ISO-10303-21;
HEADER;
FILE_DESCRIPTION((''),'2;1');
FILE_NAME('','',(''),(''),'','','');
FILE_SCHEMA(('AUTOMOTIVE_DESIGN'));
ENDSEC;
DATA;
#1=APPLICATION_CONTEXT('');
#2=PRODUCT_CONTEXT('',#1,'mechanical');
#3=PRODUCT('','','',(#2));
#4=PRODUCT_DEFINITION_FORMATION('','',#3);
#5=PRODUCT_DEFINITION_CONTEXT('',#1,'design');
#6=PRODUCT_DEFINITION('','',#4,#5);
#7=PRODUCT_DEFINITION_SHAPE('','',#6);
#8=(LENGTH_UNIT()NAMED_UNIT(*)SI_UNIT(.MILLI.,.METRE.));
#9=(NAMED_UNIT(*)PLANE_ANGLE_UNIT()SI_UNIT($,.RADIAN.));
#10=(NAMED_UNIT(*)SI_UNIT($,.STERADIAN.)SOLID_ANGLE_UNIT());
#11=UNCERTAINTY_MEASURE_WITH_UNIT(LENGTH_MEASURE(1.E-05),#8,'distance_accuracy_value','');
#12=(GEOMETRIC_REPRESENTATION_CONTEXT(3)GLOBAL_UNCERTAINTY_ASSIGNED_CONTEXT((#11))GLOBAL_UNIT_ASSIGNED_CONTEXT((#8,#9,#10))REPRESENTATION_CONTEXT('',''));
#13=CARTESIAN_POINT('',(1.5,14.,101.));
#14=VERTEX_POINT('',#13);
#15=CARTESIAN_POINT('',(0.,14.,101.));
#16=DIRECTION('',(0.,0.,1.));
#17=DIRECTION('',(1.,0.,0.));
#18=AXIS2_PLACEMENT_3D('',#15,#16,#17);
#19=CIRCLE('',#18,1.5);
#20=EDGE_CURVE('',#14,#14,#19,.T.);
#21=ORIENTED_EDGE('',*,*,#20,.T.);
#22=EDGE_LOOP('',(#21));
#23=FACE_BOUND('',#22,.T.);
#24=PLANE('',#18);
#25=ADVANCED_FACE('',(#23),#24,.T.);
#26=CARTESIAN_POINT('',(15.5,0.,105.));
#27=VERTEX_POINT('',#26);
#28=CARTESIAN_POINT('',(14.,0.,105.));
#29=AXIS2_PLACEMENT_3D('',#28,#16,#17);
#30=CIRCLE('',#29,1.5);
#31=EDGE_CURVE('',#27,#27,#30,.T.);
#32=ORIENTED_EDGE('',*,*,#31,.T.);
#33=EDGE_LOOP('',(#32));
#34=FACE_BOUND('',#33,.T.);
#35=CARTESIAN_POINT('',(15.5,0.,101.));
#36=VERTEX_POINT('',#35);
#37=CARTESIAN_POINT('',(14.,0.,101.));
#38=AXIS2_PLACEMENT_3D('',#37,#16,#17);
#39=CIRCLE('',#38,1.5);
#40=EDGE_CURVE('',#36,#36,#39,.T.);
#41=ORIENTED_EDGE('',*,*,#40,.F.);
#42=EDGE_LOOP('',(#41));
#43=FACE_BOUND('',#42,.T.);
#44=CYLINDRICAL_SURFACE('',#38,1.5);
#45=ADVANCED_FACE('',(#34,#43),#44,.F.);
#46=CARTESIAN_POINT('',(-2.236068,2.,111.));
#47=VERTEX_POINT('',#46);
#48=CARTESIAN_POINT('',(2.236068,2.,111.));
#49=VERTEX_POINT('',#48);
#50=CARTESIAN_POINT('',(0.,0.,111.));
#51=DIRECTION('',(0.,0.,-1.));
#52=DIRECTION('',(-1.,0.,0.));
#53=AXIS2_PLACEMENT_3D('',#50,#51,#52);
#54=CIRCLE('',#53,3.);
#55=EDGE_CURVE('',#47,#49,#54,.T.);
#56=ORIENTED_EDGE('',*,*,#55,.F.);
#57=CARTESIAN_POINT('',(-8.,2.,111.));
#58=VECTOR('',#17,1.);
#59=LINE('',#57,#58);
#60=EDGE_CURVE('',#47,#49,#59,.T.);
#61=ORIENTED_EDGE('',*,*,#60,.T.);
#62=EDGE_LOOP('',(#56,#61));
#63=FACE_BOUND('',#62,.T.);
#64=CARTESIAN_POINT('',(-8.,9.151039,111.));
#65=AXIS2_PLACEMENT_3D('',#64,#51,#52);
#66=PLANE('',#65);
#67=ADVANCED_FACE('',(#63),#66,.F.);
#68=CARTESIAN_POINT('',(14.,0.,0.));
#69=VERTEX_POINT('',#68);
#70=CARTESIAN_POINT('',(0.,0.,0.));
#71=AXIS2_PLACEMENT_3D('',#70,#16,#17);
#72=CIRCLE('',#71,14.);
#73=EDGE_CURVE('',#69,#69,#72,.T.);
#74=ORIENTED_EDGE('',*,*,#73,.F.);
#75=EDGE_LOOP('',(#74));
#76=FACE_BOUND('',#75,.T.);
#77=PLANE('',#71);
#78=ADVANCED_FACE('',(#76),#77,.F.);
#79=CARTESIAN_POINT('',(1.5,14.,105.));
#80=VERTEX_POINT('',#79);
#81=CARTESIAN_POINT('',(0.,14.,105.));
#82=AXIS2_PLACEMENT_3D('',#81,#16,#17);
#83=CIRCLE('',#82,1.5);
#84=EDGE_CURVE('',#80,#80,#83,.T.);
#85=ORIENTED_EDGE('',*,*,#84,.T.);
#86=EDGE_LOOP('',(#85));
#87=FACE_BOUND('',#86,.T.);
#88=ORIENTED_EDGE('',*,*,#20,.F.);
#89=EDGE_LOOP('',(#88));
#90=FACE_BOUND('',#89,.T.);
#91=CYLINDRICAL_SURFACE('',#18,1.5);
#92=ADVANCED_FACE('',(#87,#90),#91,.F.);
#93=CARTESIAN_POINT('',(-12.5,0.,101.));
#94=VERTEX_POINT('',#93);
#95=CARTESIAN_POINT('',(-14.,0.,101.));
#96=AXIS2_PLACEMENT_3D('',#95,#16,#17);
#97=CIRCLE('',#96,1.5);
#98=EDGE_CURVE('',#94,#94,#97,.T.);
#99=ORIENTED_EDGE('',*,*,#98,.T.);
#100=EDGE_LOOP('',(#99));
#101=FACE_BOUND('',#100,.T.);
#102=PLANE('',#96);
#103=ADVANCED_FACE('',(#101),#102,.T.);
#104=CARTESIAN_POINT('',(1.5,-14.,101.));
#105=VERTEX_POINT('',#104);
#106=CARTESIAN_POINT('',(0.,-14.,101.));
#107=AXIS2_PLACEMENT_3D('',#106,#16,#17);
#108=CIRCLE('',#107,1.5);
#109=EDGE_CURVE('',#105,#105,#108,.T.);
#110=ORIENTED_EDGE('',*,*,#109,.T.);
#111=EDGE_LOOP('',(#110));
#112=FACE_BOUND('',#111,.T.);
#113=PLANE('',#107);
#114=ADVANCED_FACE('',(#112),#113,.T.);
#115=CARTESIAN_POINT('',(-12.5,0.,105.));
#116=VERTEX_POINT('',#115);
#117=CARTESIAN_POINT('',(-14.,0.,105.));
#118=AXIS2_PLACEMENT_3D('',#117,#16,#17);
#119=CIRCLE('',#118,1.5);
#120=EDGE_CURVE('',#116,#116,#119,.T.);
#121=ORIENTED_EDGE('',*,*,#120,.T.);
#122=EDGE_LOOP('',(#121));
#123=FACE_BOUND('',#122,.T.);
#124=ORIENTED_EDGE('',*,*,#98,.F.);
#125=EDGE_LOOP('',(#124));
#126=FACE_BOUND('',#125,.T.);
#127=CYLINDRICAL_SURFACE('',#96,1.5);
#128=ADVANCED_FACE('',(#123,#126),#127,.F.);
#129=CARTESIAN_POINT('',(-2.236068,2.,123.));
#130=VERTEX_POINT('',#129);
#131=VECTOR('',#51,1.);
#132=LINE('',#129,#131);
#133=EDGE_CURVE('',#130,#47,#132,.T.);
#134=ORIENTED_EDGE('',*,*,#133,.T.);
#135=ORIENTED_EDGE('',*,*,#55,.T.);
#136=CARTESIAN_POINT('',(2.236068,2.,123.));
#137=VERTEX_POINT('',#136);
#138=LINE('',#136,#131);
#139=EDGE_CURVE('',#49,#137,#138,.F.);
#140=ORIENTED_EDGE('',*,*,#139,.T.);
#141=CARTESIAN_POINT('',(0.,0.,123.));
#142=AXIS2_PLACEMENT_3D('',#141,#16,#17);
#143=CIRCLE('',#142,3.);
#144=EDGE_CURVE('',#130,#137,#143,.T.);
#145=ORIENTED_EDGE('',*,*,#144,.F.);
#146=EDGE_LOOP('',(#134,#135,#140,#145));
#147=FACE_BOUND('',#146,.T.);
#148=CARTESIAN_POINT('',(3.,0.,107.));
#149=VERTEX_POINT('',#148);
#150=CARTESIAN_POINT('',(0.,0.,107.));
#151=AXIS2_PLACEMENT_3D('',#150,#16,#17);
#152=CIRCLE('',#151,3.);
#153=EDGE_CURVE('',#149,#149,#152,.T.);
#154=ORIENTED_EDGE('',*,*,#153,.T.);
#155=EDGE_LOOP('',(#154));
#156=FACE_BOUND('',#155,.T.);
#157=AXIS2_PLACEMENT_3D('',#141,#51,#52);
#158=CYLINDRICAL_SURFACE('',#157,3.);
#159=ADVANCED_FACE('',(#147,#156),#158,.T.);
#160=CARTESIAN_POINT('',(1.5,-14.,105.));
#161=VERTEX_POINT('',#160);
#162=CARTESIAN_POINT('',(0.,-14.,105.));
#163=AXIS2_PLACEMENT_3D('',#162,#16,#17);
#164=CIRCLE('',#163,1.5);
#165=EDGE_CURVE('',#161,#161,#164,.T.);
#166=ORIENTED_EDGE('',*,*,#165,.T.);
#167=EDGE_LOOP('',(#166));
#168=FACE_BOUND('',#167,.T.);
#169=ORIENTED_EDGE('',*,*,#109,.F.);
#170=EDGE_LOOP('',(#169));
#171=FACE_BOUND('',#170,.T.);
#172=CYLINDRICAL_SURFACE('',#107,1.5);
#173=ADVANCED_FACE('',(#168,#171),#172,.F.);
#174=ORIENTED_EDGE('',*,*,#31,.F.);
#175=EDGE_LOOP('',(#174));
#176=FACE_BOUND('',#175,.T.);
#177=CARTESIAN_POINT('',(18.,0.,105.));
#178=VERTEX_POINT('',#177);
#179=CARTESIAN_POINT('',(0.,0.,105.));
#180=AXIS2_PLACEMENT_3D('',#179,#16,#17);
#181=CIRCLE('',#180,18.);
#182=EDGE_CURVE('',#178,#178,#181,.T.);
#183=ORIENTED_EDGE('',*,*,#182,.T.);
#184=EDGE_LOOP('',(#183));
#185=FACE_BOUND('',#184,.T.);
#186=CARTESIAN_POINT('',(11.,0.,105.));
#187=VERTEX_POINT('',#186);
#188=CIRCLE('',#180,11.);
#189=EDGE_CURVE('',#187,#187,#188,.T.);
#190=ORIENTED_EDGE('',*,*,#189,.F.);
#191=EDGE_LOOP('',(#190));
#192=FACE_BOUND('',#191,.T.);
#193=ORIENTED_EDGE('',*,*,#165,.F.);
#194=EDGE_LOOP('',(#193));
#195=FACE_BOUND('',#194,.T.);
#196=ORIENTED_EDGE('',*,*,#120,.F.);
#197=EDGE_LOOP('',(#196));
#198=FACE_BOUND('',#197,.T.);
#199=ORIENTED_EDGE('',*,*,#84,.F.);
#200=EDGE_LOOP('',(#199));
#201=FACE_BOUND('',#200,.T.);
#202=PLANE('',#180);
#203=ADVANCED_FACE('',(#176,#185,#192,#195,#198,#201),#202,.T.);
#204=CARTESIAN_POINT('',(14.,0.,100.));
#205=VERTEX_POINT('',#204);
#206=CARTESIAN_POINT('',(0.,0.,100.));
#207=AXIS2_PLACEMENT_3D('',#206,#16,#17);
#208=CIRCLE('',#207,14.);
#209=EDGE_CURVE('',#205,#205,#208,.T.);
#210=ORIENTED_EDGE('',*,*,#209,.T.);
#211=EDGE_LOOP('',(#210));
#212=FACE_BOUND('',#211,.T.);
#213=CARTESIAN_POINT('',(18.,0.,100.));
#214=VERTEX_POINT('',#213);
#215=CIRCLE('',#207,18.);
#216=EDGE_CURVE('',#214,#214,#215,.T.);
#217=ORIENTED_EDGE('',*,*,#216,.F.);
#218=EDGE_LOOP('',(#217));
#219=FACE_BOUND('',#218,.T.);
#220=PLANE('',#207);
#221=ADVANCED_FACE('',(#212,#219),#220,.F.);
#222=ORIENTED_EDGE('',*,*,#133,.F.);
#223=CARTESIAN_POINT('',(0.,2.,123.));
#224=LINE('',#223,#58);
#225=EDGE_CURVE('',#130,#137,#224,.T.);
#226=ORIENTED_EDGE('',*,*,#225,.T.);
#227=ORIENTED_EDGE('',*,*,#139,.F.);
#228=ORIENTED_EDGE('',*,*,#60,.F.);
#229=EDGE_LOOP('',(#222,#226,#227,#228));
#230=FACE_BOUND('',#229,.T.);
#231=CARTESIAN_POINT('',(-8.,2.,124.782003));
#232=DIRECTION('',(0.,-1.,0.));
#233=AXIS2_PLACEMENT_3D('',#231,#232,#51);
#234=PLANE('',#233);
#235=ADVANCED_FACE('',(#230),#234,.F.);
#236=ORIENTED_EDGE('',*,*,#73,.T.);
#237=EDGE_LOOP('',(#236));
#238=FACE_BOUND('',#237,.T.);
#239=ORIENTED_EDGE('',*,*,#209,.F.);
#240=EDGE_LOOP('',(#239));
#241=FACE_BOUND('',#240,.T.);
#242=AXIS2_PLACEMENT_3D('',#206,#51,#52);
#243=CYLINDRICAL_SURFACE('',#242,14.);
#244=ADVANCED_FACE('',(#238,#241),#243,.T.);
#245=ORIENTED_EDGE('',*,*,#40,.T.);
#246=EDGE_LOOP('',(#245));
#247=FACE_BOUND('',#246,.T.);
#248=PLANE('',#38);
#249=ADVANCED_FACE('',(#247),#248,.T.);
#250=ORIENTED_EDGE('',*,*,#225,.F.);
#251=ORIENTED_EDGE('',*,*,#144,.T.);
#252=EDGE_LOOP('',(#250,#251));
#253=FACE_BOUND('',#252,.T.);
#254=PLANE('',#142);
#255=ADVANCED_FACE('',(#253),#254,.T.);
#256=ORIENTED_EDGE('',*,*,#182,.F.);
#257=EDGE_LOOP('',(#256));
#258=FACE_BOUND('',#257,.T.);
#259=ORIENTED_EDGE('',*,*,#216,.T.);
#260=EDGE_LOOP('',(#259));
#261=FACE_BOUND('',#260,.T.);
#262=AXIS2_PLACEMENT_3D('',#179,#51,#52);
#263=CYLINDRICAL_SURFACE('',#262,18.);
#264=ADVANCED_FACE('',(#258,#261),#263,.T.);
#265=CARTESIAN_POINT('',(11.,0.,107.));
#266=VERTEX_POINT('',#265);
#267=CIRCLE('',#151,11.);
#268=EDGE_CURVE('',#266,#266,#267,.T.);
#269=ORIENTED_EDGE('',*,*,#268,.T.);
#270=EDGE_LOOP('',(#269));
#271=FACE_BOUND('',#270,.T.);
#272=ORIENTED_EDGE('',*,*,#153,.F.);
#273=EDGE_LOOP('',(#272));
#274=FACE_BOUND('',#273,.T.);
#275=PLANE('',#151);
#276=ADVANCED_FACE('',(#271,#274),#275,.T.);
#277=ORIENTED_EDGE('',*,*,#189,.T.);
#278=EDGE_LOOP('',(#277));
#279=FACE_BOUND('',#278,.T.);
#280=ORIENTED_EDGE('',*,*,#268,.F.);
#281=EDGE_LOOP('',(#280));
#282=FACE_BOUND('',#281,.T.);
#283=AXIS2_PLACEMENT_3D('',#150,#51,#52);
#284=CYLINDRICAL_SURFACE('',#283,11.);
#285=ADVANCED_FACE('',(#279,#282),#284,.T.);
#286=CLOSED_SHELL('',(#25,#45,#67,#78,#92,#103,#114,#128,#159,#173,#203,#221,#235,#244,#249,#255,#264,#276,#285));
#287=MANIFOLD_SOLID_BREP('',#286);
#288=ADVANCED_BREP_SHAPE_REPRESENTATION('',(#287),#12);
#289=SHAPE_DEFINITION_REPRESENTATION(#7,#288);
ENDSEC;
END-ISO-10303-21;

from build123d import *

# Parameters (mm, degrees)
SKETCH1_R           = 14
BOSS_EXTRUDE3_DEPTH = 100
SKETCH4_R           = 18
BOSS_EXTRUDE4_DEPTH = 5
SKETCH5_R           = 1.5
CUT_EXTRUDE2_DEPTH  = 4
SKETCH6_R           = 11
BOSS_EXTRUDE6_DEPTH = 2
SKETCH7_R           = 3
BOSS_EXTRUDE7_DEPTH = 16
SKETCH8_W           = 13.782002666
SKETCH8_H           = 7.151039119
CUT_EXTRUDE3_DEPTH  = 8


with BuildPart() as part:
    # Sketch1 → Boss-Extrude3 (new body)
    with BuildSketch(Plane.XY):
        Circle(SKETCH1_R)
    extrude(amount=BOSS_EXTRUDE3_DEPTH)

    # Sketch4 → Boss-Extrude4 (add)
    with BuildSketch(Plane.XY.offset(100)):
        Circle(SKETCH4_R)
    extrude(amount=BOSS_EXTRUDE4_DEPTH)

    # Sketch5 → Cut-Extrude2 (cut)
    with BuildSketch(Plane.XY.offset(105)):
        with Locations((0, 14)):
            Circle(SKETCH5_R)
        with Locations((14, 0)):
            Circle(SKETCH5_R)
        with Locations((0, -14)):
            Circle(SKETCH5_R)
        with Locations((-14, 0)):
            Circle(SKETCH5_R)
    extrude(amount=-CUT_EXTRUDE2_DEPTH, mode=Mode.SUBTRACT)

    # Sketch6 → Boss-Extrude6 (add)
    with BuildSketch(Plane.XY.offset(105)):
        Circle(SKETCH6_R)
    extrude(amount=BOSS_EXTRUDE6_DEPTH)

    # Sketch7 → Boss-Extrude7 (add)
    with BuildSketch(Plane.XY.offset(107)):
        Circle(SKETCH7_R)
    extrude(amount=BOSS_EXTRUDE7_DEPTH)

    # Sketch8 → Cut-Extrude3 (cut, symmetric)
    with BuildSketch(Plane(origin=(0, 0, 0), x_dir=(0, 0, -1), z_dir=(1, 0, 0))):
        with Locations((-117.891001333, 5.575519559)):
            Rectangle(SKETCH8_W, SKETCH8_H)
    extrude(amount=CUT_EXTRUDE3_DEPTH, both=True, mode=Mode.SUBTRACT)


solid = part.part
